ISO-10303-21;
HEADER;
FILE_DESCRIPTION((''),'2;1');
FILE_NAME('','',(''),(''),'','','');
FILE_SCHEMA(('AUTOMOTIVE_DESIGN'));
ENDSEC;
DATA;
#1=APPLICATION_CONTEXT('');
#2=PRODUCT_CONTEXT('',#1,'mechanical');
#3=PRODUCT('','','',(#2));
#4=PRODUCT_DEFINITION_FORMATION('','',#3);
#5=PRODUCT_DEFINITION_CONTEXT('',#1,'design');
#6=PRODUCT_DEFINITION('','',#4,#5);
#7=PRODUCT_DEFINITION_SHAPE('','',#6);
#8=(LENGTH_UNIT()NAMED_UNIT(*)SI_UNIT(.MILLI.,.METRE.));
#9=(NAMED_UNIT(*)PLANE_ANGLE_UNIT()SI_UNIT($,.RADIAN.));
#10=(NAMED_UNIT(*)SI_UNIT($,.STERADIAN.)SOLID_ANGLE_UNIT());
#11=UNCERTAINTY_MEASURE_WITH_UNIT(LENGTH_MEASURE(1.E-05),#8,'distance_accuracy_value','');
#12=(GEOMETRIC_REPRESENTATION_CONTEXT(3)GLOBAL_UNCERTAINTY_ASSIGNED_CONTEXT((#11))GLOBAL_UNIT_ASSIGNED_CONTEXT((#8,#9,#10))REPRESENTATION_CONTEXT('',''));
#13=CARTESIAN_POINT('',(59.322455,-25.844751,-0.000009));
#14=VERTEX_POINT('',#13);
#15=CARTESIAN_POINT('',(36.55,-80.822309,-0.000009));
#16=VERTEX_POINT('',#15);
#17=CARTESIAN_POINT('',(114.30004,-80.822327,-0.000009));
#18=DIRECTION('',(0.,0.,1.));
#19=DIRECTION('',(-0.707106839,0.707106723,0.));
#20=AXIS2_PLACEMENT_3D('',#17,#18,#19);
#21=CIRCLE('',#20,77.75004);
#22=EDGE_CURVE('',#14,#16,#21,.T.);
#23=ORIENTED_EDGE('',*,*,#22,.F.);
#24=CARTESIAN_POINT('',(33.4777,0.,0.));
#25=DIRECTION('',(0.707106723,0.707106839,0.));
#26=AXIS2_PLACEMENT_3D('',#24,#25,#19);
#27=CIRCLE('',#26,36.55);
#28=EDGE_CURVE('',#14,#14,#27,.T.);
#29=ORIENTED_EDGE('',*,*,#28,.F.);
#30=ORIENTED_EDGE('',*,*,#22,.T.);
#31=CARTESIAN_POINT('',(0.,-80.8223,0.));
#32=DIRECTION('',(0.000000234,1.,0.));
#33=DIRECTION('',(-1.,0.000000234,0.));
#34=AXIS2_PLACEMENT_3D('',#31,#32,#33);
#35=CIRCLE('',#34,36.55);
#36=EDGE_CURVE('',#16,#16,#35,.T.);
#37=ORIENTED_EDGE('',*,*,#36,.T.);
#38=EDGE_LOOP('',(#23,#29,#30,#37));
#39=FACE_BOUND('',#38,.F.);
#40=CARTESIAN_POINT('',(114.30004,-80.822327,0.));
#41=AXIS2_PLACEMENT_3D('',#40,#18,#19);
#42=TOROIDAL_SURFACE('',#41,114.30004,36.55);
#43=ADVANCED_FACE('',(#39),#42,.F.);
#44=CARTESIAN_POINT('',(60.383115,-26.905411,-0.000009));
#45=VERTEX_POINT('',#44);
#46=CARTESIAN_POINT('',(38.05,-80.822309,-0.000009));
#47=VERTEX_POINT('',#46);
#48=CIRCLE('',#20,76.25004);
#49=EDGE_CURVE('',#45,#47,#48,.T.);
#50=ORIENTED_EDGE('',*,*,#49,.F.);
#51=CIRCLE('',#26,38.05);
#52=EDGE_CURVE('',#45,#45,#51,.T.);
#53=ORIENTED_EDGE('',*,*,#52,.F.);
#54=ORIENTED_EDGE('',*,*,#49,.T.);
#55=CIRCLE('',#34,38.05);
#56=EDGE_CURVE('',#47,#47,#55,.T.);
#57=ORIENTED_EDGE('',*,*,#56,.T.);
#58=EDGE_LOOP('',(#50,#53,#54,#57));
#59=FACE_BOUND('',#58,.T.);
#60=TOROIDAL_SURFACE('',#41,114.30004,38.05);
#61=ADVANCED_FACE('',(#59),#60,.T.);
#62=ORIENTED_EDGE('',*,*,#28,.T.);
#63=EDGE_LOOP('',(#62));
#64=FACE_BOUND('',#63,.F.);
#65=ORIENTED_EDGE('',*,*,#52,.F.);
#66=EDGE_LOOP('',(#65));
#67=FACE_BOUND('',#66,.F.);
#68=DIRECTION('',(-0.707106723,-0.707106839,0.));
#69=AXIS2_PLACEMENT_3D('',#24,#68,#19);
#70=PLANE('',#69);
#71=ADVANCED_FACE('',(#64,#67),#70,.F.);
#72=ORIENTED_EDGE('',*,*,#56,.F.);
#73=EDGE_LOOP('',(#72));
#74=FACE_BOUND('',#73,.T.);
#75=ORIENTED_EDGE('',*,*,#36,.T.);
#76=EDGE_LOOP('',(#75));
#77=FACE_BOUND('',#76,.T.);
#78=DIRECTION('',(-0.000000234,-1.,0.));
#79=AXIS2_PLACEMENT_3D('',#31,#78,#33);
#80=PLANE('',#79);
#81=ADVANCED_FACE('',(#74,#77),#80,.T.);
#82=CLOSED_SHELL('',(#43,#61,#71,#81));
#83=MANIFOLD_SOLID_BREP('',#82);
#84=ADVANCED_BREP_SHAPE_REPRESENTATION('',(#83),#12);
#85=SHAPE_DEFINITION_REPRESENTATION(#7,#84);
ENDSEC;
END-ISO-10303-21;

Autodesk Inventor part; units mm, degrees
ref_plane "YZ Plane" through (0, 0, 0) normal (1, 0, 0) x (0, 1, 0)
ref_plane "XZ Plane" through (0, 0, 0) normal (0, 1, 0) x (-1, 0, 0)
sketch "Szkic6" plane through (0, 0, 0) normal (0, 0, 1) x (1, 0, 0)
  line L0 (-29.6067, 0) -> (35.2678, 0) construction
  line L1 (0, 42.3419) -> (0, -58.3726) construction
  arc A0 (33.4777, 0) -> (0, -80.8223) centre (114.3, -80.8223) ccw
  line L2 (0, -80.8223) -> (114.3, -80.8223) construction
  line L3 (114.3, -80.8223) -> (67.9611, -34.4834) construction
  line L4 (33.4777, 0) -> (33.4777, 0)
  line L5 (0, -80.8223) -> (0, -80.8223)
  point P0 (0, 0)
  dimension "d24" = 114.3
  dimension "d31" = 45
  dimension "d36" = 0
  dimension "d37" = 0
ref_plane "Płaszczyzna konstrukcyjna2" through (0, -80.8223, 0) normal (0, -1, 0) x (1, 0, 0)
sketch "Szkic8" plane through (0, -80.8223, 0) normal (0, -1, 0) x (1, 0, 0)
  circle A0 centre (0, 0) radius 38.05
  circle A1 centre (0, 0) radius 36.55
  dimension "d32" = 76.1
  dimension "d33" = 1.5
sweep "Przeciągnięcie2" add profiles "Szkic8" path "Szkic6"
equation "\"d32\" = OD"
equation "\"d33\" = THK"
equation "\"d24\" = R"
equation "\"d31\" = KAT"
equation "\"SzerokośćGięciaPodcięcia\" = Grubość"
equation "\"RozmiarPodcięciaNarożnika\" = 4 * Grubość"
equation "\"PromieńPrzejścia\" = PromieńGięcia"
equation "\"Rozmiar_promienia_Jacobiego\" = PromieńGięcia"
equation "\"Wielk_odstępu\" = Grubość"
equation "\"d2\" = PromieńGięcia"
equation "\"d23\" = PromieńGięcia"
equation "\"R\" = 114.3"
equation "\"OD\" = 76.1"
equation "\"THK\" = 1.5"
equation "\"KAT\" = 45deg"
equation "\"PROSTKA\" = 0"
equation "\"Grubość\" = 1.5"
equation "\"PromieńGięcia\" = 3"
properties part number "Kolano 45° ø76,1x1,5 R114,3" material "304L"
